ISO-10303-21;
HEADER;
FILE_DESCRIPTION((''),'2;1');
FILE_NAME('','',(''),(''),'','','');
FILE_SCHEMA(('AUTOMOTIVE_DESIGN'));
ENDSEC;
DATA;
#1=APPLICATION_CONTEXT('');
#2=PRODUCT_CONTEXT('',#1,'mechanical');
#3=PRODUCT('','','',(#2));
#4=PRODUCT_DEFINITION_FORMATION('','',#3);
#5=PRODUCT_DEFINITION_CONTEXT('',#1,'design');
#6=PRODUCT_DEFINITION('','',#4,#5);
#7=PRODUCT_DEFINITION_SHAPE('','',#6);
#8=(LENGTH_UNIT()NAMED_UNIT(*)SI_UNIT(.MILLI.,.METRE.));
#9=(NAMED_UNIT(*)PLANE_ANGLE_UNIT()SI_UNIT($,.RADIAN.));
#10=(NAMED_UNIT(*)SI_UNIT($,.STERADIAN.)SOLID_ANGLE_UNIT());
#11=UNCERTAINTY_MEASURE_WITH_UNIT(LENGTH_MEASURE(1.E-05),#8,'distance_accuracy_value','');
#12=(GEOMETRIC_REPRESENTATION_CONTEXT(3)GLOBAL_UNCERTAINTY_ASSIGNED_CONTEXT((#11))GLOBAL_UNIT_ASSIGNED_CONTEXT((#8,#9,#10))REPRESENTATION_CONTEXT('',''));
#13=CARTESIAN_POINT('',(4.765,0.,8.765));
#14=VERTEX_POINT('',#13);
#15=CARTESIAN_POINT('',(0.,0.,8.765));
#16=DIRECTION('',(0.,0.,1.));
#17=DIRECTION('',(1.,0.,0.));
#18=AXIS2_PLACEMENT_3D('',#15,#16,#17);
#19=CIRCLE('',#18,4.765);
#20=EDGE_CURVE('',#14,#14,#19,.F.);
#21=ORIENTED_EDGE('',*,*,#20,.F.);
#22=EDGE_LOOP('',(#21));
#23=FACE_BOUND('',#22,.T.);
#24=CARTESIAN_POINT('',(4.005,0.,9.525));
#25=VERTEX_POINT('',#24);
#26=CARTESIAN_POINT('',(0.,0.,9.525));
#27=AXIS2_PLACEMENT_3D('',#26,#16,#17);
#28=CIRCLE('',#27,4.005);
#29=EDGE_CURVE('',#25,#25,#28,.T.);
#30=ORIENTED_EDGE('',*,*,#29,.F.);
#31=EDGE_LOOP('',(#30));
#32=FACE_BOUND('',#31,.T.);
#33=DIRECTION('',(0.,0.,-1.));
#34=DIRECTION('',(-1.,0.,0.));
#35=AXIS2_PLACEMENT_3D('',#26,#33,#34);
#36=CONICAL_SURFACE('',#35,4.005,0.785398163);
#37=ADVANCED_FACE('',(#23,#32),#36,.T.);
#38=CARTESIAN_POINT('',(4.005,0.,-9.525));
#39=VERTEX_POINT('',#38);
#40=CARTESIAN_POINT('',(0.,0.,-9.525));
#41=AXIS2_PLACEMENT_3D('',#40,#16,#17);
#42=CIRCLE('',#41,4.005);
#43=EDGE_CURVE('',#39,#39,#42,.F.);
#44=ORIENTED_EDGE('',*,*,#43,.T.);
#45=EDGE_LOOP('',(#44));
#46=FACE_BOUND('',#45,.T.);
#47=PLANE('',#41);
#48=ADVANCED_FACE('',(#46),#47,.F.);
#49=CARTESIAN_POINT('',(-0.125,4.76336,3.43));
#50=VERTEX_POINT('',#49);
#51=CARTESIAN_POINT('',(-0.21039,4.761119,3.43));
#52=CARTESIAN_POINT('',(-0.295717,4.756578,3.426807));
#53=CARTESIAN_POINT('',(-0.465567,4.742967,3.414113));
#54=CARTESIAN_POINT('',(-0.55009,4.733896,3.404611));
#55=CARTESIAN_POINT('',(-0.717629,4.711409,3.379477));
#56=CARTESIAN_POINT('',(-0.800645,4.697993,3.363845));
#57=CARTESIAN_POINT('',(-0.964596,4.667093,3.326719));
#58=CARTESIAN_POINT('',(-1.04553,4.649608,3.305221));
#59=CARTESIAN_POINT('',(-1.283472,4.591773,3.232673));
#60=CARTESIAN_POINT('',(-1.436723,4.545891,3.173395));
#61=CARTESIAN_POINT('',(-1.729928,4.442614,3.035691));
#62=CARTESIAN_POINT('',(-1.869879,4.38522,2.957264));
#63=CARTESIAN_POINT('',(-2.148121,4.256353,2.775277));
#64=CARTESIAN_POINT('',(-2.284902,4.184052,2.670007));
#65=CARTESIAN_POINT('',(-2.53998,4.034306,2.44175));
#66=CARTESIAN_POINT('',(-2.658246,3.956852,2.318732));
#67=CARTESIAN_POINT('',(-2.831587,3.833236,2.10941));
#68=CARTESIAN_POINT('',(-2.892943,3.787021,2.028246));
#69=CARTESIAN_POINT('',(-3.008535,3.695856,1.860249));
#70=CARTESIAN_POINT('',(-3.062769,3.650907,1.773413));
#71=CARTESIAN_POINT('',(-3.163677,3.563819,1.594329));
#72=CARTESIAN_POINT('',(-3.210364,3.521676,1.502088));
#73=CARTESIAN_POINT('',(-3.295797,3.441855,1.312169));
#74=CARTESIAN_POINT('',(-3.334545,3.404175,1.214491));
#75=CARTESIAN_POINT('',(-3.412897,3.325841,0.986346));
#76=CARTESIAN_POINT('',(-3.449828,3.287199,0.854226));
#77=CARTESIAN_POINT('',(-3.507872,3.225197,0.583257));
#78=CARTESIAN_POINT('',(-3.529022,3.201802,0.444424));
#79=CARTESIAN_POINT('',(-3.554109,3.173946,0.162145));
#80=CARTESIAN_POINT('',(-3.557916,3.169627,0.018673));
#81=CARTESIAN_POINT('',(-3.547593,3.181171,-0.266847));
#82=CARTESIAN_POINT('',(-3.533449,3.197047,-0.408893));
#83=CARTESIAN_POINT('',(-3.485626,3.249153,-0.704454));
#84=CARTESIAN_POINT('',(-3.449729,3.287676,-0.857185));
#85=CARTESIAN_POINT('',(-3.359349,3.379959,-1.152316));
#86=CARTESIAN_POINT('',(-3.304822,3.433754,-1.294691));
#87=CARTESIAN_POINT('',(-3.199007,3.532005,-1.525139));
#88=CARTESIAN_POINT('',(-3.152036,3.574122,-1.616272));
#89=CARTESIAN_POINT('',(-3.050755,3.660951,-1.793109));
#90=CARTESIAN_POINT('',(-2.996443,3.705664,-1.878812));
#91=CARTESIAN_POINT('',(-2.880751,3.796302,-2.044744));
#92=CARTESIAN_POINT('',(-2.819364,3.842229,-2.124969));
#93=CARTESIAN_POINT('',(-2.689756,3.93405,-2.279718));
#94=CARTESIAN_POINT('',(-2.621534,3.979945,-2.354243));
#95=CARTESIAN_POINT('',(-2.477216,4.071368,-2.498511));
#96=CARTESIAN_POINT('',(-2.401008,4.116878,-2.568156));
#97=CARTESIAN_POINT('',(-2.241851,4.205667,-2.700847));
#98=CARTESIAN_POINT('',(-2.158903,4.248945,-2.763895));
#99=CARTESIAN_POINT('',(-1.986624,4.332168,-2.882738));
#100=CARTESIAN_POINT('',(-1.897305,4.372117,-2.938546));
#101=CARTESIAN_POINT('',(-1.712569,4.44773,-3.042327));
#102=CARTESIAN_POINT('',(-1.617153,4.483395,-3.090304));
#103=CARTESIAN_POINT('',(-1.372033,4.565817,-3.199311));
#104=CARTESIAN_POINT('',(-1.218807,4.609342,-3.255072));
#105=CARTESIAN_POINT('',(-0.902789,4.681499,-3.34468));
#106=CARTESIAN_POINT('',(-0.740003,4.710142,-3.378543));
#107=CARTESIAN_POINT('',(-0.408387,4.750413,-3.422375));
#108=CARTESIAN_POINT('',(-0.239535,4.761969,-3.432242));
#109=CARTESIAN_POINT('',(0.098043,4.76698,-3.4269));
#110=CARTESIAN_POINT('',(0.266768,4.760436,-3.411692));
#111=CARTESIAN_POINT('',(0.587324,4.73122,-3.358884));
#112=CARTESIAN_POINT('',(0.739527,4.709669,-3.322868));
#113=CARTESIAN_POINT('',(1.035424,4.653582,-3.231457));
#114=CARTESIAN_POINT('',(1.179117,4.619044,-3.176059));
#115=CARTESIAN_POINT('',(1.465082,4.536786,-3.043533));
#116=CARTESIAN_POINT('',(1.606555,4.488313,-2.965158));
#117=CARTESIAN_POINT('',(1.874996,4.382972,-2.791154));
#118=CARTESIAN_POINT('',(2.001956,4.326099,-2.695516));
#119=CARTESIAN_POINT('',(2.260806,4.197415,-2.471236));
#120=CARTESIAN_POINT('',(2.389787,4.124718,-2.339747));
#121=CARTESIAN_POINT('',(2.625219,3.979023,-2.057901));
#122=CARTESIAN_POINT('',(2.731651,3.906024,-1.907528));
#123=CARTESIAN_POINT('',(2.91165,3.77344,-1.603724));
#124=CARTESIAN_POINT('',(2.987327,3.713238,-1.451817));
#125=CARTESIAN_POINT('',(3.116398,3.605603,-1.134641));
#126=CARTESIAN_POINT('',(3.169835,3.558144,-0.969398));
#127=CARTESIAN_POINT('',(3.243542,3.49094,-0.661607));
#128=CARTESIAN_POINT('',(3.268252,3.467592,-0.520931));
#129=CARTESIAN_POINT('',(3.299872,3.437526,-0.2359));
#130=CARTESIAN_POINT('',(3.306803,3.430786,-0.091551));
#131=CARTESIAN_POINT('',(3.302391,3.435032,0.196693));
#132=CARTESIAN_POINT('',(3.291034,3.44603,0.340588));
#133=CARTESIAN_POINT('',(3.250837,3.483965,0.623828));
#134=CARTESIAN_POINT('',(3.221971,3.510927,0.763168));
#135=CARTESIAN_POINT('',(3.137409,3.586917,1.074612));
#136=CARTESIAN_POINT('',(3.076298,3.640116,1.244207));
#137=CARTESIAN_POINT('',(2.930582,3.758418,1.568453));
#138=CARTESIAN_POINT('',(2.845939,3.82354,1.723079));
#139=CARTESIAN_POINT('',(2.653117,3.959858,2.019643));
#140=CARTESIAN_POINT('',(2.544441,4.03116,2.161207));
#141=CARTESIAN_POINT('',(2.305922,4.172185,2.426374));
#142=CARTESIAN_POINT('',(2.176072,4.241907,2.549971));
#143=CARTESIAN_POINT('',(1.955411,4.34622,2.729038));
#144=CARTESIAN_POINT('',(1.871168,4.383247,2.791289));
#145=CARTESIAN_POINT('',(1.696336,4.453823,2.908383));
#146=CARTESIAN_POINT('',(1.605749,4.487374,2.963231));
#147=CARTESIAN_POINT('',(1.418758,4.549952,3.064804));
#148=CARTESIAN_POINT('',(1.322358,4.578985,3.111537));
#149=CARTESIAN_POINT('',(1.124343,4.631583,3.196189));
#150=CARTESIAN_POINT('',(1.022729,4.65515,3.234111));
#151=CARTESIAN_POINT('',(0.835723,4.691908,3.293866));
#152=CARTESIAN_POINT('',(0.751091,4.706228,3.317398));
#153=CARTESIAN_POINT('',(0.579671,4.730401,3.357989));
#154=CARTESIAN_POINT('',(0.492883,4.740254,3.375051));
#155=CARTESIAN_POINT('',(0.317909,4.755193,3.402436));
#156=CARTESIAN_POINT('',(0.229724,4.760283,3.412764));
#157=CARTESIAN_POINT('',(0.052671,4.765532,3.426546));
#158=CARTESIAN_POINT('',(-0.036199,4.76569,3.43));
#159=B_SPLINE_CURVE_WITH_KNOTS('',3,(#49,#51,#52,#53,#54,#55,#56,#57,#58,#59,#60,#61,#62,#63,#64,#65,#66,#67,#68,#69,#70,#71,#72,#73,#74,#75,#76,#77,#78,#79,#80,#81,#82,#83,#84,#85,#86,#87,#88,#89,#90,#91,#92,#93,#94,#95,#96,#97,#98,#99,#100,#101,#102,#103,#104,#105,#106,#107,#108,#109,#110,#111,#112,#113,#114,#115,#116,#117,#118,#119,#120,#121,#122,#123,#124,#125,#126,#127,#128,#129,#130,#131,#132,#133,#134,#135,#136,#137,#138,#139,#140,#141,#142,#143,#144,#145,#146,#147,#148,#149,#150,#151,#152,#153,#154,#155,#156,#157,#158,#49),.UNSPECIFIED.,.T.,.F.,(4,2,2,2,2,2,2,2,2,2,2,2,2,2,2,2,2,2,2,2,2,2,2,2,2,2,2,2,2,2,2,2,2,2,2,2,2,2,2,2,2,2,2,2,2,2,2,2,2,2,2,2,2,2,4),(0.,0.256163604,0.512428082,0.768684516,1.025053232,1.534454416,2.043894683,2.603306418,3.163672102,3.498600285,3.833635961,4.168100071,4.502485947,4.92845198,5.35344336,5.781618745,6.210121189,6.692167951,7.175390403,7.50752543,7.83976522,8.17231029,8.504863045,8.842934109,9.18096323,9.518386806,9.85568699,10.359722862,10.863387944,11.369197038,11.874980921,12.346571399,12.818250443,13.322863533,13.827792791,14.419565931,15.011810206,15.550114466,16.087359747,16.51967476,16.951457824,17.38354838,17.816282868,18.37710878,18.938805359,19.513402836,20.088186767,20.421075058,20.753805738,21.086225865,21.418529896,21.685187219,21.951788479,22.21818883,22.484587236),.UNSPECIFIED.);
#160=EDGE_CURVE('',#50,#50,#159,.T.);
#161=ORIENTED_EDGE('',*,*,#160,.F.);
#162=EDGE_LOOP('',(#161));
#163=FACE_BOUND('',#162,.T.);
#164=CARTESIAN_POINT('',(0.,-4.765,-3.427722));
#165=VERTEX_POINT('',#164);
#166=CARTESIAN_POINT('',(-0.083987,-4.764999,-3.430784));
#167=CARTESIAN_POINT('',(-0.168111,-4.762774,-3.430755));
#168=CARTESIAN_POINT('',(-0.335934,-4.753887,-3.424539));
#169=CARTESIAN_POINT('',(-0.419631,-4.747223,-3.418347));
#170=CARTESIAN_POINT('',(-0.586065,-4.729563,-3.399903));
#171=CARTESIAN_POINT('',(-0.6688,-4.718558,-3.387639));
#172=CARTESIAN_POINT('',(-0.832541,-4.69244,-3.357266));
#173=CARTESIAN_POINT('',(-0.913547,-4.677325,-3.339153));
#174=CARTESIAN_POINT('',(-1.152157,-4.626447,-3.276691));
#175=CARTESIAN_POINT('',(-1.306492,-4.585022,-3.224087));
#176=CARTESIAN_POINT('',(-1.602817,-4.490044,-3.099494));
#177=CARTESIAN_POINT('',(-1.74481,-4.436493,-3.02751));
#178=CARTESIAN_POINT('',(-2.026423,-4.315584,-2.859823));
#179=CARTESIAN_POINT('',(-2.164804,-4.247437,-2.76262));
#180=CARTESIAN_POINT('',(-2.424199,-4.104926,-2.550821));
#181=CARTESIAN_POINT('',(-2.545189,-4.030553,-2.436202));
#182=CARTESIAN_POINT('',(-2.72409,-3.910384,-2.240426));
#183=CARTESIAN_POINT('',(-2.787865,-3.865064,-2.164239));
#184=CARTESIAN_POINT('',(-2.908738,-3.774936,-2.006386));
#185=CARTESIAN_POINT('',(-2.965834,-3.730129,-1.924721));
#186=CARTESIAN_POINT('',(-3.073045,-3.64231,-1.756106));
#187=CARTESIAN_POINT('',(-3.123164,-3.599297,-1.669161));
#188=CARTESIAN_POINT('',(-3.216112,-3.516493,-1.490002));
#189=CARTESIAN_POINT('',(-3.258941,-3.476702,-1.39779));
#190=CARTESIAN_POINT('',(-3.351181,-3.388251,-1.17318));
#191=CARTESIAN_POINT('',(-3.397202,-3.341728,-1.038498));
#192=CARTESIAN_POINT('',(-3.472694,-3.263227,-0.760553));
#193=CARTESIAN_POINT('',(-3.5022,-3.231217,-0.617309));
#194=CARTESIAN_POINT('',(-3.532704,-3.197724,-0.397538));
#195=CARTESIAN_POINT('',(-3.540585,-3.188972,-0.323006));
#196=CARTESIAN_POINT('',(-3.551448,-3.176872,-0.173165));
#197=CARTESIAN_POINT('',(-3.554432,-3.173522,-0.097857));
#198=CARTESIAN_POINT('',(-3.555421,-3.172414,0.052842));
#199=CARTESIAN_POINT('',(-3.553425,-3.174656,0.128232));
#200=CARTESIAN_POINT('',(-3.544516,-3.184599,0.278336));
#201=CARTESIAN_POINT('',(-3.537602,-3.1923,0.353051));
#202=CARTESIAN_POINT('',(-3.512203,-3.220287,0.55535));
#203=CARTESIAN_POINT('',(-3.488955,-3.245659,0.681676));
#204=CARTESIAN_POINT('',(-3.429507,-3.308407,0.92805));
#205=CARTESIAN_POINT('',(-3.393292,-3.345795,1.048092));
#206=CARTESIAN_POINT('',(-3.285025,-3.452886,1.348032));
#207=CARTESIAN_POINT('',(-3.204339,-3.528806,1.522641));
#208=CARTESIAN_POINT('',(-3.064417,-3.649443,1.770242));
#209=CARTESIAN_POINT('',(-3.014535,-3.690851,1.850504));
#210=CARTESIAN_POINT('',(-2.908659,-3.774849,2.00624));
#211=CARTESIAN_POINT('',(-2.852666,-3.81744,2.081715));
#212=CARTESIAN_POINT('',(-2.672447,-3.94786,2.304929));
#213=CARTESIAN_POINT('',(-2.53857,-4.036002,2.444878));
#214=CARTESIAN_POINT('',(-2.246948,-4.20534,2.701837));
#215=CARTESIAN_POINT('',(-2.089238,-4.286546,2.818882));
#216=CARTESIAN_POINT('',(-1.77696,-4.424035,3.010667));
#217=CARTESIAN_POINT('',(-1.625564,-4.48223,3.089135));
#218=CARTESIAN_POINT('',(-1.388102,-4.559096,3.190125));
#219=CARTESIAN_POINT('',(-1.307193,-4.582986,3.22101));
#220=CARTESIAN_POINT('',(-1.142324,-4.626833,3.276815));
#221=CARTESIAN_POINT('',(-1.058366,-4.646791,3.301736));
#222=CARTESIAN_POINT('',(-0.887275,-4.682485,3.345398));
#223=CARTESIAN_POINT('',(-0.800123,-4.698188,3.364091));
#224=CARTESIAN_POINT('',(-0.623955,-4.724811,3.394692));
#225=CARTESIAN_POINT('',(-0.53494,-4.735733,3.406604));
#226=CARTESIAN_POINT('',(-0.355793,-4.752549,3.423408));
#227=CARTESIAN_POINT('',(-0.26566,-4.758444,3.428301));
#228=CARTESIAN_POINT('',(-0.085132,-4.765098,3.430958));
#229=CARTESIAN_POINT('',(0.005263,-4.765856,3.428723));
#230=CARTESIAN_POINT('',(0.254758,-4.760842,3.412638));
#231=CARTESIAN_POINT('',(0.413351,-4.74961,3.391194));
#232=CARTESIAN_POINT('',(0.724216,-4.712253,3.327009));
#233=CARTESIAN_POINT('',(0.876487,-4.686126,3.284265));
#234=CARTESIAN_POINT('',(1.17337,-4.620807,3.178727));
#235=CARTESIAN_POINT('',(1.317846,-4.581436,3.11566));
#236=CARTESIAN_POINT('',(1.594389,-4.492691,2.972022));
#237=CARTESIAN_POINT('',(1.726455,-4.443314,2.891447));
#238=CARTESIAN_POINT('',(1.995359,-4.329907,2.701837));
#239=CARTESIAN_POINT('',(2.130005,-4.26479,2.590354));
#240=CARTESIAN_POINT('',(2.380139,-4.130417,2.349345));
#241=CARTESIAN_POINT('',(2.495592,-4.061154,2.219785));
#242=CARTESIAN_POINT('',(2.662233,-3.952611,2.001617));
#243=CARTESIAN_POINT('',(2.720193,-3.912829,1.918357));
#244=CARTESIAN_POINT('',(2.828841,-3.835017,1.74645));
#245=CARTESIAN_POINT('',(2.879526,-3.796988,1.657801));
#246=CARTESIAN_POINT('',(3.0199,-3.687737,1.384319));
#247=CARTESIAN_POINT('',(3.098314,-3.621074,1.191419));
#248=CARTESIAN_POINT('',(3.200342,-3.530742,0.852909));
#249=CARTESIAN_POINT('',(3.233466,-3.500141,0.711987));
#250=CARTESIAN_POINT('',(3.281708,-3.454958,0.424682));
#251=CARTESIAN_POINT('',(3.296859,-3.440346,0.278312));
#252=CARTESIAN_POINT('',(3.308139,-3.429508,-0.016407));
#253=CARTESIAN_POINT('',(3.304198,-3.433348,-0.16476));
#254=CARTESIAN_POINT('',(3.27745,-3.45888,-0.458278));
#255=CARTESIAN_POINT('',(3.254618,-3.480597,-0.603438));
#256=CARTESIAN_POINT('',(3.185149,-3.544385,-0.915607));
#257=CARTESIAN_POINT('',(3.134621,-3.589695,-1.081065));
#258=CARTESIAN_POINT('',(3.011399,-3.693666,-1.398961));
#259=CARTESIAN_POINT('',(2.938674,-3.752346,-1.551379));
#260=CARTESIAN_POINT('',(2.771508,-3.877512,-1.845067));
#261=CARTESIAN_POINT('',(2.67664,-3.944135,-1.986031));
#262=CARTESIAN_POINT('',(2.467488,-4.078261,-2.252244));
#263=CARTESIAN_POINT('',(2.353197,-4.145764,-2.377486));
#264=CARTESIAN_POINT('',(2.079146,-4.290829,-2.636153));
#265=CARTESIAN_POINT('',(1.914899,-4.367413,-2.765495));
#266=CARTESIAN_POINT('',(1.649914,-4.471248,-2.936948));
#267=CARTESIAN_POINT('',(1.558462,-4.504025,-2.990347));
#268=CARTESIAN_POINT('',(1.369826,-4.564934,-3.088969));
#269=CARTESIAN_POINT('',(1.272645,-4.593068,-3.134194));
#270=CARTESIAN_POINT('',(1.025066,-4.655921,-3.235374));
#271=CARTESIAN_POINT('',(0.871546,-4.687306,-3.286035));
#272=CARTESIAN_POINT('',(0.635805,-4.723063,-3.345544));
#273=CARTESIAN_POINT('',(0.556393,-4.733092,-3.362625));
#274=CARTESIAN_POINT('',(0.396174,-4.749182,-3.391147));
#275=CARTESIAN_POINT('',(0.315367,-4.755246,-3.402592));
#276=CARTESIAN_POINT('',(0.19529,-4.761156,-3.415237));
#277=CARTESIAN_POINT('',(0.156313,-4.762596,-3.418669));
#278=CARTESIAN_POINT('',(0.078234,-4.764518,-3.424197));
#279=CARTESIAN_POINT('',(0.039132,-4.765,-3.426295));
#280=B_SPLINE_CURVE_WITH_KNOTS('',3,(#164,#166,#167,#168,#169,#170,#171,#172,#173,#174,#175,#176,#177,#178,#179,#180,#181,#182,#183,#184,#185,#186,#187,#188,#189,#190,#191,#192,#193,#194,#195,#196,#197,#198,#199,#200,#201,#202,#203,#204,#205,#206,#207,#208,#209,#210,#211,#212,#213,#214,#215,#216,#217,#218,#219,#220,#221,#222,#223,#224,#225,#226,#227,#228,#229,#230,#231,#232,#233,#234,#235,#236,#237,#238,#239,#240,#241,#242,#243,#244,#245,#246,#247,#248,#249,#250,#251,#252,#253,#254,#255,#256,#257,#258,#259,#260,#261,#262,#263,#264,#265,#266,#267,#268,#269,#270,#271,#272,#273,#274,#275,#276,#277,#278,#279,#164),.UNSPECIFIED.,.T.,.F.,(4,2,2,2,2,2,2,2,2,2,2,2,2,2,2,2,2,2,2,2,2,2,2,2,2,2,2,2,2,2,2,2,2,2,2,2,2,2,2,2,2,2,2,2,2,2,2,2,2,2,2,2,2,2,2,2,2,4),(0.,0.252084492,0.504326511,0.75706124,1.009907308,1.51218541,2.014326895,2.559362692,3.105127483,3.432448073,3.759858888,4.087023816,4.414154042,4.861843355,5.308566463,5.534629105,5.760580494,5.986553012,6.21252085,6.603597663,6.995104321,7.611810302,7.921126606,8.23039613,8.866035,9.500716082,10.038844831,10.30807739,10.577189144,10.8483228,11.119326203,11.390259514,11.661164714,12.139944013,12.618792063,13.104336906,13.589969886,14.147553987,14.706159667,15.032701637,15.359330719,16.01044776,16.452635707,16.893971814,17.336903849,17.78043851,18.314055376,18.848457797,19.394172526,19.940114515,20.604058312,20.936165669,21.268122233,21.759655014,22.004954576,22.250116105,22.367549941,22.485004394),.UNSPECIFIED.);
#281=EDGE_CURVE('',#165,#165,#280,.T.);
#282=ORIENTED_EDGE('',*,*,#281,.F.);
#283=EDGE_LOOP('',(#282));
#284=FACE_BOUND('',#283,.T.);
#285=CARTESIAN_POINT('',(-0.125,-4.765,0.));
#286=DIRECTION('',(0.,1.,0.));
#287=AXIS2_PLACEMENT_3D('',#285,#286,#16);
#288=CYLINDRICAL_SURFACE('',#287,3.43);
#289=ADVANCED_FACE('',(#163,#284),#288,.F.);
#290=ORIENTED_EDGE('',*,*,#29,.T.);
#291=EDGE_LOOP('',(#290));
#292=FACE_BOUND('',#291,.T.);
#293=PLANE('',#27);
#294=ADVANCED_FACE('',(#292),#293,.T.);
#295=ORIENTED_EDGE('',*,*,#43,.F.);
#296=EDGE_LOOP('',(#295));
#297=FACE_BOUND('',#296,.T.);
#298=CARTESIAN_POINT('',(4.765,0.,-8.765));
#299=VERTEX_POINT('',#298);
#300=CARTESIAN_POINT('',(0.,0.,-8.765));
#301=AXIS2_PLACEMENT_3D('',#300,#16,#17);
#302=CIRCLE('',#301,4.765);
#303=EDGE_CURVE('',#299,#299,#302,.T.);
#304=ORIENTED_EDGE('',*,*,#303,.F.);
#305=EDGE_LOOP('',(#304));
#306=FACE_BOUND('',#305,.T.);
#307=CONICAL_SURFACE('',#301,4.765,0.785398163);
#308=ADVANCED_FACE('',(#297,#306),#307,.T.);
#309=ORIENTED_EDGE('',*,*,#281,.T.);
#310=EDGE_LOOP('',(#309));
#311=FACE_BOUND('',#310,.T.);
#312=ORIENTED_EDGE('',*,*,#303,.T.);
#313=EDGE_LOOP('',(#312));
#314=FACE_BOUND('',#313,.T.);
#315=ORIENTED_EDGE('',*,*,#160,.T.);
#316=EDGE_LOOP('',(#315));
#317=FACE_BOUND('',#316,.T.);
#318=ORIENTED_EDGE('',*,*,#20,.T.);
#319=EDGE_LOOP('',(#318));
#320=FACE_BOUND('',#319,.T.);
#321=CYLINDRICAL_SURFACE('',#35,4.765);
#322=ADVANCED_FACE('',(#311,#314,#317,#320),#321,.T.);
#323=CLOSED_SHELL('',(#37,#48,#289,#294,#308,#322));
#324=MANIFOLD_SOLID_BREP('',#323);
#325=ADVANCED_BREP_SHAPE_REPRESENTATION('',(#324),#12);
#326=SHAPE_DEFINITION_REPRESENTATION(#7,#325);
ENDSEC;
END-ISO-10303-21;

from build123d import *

# Parameters (mm, degrees)
SKETCH1_R               = 4.765
BOSS_EXTRUDE1_DEPTH     = 9.525
CUT_EXTRUDE1_DEPTH      = 12.667736499
CUT_EXTRUDE1_DEPTH_BACK = 12.667736499
SKETCH2_R               = 3.43
CHAMFER1_SIZE           = 0.76


with BuildPart() as part:
    # Sketch1 → Boss-Extrude1 (new, symmetric)
    with BuildSketch(Plane.XY):
        with Locations(Location((0, 0, 0), (0, 0, 180))):
            Circle(SKETCH1_R)
    extrude(amount=BOSS_EXTRUDE1_DEPTH, both=True)

    # Sketch2 → Cut-Extrude1 (cut, two sides: drawn at the far end of the back side and taken through both)
    with BuildSketch(Plane(origin=(0, 0, 0), x_dir=(1, 0, 0), z_dir=(0, 1, 0)).offset(-CUT_EXTRUDE1_DEPTH_BACK)):
        with Locations(Location((-0.125, 0, 0), (0, 0, 270))):
            Circle(SKETCH2_R)
    extrude(amount=CUT_EXTRUDE1_DEPTH + CUT_EXTRUDE1_DEPTH_BACK, mode=Mode.SUBTRACT)

    # Chamfer1
    chamfer1_edges = [part.edges().sort_by_distance(p)[0] for p in [
        (4.765, 0, -9.525),
        (4.765, 0, 9.525),
    ]]
    chamfer(chamfer1_edges, length=CHAMFER1_SIZE)


solid = part.part
